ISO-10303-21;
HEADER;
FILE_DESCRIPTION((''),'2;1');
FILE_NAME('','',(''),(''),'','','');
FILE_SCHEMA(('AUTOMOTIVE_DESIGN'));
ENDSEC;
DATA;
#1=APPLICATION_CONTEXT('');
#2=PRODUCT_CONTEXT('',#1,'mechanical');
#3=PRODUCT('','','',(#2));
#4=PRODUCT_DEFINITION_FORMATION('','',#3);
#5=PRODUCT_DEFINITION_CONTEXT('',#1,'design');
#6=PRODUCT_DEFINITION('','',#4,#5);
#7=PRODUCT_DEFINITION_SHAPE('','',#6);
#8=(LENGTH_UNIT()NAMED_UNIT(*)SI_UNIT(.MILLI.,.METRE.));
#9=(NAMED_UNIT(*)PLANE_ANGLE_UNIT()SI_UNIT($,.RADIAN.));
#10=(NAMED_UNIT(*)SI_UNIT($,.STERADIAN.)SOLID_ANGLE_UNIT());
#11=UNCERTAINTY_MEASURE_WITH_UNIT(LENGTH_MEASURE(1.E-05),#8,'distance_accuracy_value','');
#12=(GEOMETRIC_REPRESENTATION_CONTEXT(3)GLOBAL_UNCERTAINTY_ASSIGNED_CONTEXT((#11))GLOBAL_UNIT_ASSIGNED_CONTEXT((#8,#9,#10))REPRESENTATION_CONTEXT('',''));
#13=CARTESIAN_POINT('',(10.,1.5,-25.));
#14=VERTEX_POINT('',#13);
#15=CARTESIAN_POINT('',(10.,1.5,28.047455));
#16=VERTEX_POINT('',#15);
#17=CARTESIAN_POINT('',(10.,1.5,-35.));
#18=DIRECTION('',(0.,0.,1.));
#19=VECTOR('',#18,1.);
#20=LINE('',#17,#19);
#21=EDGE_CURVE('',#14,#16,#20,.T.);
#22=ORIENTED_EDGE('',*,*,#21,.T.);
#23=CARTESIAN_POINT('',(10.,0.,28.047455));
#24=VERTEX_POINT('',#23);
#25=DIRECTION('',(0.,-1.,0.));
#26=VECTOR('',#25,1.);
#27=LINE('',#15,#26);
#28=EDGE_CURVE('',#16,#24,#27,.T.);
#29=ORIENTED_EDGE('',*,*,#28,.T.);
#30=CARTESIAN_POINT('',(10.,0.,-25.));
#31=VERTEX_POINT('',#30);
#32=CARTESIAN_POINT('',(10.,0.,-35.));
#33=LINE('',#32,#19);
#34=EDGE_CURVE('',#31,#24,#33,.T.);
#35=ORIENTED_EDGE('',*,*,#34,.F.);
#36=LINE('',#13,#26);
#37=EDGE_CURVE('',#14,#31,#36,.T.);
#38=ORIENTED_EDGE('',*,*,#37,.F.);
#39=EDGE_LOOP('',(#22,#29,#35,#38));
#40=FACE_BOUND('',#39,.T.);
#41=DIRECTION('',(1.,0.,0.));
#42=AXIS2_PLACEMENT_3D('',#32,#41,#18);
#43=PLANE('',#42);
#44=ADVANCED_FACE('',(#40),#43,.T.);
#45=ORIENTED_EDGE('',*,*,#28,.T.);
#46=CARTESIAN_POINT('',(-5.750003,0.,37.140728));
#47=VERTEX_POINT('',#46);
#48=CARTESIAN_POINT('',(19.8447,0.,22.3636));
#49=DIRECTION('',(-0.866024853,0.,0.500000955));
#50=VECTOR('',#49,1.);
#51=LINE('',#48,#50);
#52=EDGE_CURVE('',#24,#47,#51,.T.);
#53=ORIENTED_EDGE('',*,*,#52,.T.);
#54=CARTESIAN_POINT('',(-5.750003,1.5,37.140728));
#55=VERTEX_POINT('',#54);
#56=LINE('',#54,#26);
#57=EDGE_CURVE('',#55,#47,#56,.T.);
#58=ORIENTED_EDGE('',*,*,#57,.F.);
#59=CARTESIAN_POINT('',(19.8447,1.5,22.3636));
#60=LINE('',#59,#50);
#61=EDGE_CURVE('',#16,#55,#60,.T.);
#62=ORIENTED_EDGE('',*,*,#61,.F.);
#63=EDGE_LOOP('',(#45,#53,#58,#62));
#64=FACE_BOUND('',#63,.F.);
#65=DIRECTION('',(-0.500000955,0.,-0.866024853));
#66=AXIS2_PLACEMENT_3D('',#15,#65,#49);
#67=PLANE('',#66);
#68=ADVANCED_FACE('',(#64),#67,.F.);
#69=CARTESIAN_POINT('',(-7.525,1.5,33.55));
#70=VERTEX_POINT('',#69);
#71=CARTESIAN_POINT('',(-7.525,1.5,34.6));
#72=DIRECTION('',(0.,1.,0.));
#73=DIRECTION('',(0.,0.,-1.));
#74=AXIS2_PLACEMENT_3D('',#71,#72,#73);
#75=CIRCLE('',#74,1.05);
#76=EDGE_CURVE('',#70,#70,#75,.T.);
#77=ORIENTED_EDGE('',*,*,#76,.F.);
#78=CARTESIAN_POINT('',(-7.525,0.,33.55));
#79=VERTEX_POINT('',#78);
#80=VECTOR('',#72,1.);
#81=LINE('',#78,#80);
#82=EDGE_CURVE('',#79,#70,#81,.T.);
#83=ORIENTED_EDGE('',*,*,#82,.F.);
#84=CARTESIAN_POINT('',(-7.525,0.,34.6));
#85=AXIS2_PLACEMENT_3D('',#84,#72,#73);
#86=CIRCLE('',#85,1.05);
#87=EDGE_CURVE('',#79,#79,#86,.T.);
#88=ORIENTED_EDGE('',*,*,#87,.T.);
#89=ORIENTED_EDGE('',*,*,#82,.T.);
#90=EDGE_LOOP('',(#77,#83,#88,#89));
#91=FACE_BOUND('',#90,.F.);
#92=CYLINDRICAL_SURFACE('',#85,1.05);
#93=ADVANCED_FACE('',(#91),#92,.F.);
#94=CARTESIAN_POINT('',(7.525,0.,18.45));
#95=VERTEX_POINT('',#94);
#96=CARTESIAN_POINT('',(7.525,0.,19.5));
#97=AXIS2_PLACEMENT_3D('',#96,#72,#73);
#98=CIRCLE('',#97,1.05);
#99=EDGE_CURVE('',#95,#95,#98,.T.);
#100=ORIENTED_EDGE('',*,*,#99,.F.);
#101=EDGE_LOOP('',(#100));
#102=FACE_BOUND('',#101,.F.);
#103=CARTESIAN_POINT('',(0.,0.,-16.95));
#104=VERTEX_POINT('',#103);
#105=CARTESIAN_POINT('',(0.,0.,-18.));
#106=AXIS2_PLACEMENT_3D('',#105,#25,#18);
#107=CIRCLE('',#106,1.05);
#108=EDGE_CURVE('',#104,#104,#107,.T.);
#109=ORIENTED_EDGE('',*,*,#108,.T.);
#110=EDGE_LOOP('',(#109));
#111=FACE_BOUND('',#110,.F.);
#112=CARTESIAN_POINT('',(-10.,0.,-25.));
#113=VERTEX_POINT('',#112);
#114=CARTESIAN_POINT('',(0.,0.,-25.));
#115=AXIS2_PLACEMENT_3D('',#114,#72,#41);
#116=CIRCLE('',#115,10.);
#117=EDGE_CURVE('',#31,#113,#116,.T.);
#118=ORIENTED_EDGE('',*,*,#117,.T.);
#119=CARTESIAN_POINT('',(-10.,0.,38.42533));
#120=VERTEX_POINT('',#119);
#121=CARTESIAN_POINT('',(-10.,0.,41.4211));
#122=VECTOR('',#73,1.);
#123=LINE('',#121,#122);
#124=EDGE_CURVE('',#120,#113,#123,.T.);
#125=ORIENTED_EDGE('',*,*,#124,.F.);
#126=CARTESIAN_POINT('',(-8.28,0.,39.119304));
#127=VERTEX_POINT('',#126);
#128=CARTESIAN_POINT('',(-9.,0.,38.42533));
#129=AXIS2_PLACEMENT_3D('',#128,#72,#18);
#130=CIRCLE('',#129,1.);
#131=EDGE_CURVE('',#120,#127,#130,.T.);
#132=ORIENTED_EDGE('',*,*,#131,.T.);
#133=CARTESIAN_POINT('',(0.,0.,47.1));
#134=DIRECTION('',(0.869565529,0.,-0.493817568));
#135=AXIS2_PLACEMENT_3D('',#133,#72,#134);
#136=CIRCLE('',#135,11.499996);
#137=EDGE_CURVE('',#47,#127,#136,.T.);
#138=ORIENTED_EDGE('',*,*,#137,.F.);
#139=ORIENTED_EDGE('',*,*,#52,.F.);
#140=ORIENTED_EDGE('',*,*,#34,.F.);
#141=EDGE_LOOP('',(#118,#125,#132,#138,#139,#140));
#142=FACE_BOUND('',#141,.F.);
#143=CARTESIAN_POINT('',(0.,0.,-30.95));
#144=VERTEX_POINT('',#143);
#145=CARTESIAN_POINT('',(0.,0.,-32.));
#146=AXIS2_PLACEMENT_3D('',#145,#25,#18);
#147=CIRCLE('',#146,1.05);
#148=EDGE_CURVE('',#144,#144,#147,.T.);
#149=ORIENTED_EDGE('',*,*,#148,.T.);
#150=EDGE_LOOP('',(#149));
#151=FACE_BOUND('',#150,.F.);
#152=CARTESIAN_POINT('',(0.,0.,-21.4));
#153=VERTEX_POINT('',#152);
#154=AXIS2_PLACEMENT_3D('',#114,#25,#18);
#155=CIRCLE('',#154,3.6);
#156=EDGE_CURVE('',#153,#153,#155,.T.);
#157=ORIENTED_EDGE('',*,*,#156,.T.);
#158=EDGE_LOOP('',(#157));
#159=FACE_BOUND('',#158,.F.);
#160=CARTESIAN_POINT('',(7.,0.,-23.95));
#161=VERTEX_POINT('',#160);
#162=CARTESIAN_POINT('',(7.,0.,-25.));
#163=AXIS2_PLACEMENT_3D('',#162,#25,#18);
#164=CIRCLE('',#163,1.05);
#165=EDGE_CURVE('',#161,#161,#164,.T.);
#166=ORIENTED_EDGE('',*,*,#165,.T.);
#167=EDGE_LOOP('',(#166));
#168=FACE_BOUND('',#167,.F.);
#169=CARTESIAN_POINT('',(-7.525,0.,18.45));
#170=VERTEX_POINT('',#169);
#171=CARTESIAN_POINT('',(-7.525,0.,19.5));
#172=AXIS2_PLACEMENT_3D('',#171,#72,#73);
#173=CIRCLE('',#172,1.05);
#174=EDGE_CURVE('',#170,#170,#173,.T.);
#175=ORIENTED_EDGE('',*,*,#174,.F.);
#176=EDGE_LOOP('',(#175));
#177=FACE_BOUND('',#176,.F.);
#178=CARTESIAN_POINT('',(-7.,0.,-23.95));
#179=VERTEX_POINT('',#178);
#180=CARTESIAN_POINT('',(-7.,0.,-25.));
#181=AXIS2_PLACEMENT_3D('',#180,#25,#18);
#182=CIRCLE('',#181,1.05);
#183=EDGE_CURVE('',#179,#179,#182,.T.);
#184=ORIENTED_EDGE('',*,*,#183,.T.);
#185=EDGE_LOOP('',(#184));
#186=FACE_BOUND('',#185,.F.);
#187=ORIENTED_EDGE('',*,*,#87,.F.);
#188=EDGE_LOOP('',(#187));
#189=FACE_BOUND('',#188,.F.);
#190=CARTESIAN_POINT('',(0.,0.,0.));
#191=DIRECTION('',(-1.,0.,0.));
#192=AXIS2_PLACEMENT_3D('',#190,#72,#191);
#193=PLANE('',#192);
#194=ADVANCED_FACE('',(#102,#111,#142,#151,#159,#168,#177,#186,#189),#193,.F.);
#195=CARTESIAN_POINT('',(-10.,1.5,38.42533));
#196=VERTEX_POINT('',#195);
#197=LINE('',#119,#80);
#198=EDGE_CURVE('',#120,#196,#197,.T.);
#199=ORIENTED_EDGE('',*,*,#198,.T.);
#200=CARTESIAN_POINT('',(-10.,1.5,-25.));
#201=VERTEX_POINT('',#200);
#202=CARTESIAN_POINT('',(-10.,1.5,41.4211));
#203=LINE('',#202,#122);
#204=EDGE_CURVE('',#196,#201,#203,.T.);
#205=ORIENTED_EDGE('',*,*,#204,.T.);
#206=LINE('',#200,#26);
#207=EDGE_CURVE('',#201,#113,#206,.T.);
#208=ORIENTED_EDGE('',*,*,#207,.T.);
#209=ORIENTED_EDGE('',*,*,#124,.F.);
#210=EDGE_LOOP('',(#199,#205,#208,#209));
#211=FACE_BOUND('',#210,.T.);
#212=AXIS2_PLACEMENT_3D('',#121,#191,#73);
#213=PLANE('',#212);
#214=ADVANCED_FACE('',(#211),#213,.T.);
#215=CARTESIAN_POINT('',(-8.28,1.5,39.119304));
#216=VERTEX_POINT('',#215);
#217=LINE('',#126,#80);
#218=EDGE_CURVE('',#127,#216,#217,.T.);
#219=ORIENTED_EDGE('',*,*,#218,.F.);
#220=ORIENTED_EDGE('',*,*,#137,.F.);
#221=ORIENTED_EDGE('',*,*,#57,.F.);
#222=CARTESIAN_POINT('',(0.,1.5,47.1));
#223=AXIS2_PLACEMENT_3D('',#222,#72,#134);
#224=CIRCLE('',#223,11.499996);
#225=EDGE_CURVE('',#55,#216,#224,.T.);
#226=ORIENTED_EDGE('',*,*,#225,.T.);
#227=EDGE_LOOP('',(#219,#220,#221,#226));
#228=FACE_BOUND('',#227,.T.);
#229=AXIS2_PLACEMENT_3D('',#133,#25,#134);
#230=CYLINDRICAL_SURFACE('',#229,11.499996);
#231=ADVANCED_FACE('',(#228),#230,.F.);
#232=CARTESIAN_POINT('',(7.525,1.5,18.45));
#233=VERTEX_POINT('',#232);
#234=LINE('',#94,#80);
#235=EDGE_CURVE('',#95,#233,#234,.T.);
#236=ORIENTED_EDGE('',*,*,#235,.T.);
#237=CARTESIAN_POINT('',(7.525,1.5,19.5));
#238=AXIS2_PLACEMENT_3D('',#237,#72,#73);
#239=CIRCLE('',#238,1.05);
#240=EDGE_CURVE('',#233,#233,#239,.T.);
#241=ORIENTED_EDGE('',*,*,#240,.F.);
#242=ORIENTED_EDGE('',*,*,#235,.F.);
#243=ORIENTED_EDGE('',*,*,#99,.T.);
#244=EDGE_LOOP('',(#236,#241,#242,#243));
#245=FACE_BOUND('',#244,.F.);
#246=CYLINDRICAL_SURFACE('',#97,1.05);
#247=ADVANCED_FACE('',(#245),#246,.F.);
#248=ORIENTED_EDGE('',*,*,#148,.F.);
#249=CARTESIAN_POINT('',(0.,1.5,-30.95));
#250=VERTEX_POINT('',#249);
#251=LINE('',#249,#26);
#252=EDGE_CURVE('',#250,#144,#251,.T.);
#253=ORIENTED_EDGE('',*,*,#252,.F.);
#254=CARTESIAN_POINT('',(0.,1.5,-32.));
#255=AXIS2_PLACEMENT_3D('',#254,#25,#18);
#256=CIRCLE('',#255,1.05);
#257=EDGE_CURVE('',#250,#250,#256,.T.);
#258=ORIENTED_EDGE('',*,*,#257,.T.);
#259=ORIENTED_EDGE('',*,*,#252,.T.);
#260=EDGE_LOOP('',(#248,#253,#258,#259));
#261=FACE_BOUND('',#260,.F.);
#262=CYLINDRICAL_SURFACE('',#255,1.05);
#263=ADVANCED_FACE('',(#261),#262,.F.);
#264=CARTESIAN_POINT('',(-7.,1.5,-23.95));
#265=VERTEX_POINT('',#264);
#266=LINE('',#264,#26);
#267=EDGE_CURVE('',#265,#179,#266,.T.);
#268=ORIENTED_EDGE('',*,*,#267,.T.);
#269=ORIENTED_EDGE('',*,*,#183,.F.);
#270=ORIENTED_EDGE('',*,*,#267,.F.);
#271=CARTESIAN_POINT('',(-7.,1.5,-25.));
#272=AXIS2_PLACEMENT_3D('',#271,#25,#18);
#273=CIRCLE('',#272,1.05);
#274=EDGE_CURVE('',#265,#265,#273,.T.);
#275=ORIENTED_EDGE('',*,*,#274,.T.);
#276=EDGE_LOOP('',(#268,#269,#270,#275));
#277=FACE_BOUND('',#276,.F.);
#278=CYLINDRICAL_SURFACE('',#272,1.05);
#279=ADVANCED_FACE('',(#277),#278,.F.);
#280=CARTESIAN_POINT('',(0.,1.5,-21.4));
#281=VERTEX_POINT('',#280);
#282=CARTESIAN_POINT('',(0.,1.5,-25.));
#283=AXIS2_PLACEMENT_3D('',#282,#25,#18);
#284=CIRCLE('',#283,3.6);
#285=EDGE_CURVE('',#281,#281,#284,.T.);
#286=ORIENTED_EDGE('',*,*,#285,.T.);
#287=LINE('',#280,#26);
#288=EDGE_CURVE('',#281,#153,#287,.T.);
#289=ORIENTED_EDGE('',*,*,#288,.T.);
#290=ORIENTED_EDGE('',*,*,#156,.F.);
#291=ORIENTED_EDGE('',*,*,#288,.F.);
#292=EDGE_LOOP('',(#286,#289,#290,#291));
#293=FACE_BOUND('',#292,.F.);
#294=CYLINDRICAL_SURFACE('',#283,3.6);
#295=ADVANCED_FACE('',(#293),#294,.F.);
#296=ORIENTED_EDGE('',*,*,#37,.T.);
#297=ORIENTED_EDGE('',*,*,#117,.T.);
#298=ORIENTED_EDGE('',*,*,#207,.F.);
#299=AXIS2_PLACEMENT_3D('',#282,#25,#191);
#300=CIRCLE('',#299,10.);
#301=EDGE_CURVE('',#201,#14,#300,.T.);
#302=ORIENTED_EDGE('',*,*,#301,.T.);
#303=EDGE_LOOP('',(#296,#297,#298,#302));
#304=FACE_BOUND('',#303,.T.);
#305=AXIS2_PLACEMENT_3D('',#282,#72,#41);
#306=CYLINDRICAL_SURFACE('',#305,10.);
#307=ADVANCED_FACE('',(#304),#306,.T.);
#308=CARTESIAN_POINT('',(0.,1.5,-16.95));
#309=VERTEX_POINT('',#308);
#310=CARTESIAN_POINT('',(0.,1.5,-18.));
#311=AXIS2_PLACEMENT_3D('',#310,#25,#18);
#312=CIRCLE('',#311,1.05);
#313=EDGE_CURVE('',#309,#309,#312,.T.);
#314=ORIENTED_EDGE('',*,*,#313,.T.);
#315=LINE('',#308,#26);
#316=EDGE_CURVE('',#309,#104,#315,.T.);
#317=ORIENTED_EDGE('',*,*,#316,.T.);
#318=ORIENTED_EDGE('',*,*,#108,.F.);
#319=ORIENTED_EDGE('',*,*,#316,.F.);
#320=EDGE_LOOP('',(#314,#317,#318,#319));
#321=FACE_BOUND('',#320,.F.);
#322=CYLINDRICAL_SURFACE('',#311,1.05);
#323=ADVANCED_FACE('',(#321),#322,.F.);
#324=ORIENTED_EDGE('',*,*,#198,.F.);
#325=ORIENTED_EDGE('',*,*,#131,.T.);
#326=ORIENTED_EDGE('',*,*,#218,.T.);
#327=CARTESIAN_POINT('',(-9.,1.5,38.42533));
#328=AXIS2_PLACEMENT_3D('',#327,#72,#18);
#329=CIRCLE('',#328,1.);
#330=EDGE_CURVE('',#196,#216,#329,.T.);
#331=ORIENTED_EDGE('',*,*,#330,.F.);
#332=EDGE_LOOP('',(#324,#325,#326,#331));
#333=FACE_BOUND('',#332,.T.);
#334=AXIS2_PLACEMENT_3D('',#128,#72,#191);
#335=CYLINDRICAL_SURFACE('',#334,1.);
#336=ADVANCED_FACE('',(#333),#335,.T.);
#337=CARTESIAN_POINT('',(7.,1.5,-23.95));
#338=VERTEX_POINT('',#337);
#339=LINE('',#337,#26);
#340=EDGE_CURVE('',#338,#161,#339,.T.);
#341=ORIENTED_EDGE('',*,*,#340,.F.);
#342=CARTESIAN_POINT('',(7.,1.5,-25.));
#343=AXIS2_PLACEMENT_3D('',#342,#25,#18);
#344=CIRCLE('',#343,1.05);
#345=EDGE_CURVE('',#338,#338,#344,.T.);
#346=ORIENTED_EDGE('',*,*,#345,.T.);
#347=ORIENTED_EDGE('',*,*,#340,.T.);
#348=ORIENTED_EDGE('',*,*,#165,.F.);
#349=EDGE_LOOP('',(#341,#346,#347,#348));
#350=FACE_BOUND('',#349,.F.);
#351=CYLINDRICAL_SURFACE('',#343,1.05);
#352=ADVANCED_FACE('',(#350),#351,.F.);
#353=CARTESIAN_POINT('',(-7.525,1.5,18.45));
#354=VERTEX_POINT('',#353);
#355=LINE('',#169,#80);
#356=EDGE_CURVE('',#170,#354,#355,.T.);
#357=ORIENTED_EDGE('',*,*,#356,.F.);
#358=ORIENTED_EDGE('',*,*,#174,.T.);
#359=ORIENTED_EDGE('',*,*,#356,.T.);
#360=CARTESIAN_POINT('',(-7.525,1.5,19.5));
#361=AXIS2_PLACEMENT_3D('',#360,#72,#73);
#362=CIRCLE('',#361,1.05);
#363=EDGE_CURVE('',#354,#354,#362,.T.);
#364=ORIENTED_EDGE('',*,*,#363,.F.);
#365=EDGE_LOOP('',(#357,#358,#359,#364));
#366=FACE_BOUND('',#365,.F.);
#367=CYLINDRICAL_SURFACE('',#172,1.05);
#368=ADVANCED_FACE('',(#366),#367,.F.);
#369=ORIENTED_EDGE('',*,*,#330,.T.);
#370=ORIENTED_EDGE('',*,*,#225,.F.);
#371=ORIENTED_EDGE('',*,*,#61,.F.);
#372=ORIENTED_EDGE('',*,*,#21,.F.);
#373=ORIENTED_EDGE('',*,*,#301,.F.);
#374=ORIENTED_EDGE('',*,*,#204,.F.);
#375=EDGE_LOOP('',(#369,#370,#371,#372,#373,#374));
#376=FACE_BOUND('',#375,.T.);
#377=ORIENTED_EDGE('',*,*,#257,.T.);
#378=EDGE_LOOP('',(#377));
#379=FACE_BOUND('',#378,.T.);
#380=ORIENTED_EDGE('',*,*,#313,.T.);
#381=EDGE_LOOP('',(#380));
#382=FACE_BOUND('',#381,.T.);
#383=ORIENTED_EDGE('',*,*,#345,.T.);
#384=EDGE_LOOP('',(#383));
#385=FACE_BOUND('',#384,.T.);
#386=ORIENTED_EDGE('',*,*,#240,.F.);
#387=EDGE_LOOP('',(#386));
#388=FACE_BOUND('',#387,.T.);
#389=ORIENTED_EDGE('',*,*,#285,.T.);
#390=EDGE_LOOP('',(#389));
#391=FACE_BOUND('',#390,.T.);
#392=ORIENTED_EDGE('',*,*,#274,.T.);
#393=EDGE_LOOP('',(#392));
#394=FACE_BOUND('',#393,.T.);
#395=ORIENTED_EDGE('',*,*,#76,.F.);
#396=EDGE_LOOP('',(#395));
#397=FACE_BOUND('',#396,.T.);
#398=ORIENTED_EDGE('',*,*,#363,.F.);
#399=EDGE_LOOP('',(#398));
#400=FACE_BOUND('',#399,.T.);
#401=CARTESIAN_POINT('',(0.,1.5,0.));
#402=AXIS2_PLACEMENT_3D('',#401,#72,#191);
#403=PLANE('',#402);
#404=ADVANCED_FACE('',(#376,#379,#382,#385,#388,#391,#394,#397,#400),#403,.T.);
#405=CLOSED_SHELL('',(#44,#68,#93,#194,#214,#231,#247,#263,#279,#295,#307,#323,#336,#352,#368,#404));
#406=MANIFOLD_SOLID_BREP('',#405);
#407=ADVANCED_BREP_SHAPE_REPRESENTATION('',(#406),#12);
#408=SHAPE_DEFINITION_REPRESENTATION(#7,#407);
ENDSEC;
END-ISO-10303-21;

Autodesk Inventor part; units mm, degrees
ref_plane "YZ Plane" through (0, 0, 0) normal (1, 0, 0) x (0, 1, 0)
ref_plane "XZ Plane" through (0, 0, 0) normal (0, 1, 0) x (-1, 0, 0)
ref_plane "XY Plane" through (0, 0, 0) normal (0, 0, 1) x (1, 0, 0)
sketch "Sketch1" plane through (0, 0, 0) normal (0, 1, 0) x (-1, 0, 0)
  line L0 (10, -35) -> (-10, -35)
  line L1 (-10, -35) -> (-10, 41.4211)
  line L2 (10, 41.4211) -> (10, -35)
  arc A0 (-10, 41.4211) -> (10, 41.4211) centre (0, 47.1) ccw
  point P0 (0, 0)
  dimension "d2" = 35
  dimension "d3" = 10
  dimension "d36" = 23
  dimension "d37" = 82.1
  dimension "d39" = 76.4211
  dimension "d40" = 20
extrude "Plate1" add sketch "Sketch1" along normal blind 1.5
sketch "Sketch3" plane through (0, 1.5, 0) normal (0, 1, 0) x (1, 0, 0)
  circle A0 centre (0, 25) radius 10
  circle A1 centre (0, -25) radius 10
  line L0 (-10, 35) -> (10, 35) projected
  line L1 (10, -44) -> (-10, -44) projected
  line L2 (-10, 35) -> (10, 35)
  line L3 (10, 35) -> (10, 25)
  line L4 (10, 25) -> (-10, 25)
  line L5 (-10, 25) -> (-10, 35)
  line L6 (10, -35) -> (-10, -35)
  line L7 (-10, -35) -> (-10, -25)
  line L8 (-10, -25) -> (10, -25)
  line L9 (10, -25) -> (10, -44)
  point P0 (0, 0)
  point P1 (-10, -41.4211)
  point P2 (10, -25)
  point P3 (0, -35)
  point P4 (-10, -35)
  point P5 (0, 35)
  point P6 (10, 35)
  dimension "d12" = 20
  dimension "d13" = 20
  dimension "d14" = 10
  dimension "d15" = 10
  dimension "d16" = 25
  dimension "d17" = 25
  dimension "d18" = 10
extrude "Extrusion1" cut sketch "Sketch3" against normal blind 10 contours L5 L0 A0 | A0 L0 L3
sketch "Sketch4" plane through (0, 1.5, 0) normal (0, 1, 0) x (1, 0, 0)
  circle A0 centre (-7, 25) radius 0.8
  arc A1 (10, 25) -> (-10, 25) centre (0, 25) ccw projected
  circle A2 centre (0, 18) radius 0.8
  circle A3 centre (7, 25) radius 0.8
  circle A4 centre (0, 32) radius 0.8
  point P0 (0, 0)
  dimension "d21" = 0
  dimension "d22" = 7
  dimension "d23" = 1.6
  dimension "d26" = 360
hole "Hole2" at (0, 1.5, -32) at (7, 1.5, -25) at (0, 1.5, -18) at (-7, 1.5, -25) direction (0, -1, 0) diameter 2.1 depth 1.5
fillet "Fillet1" radius 1 2 edges at (-10, 0.75, 41.4211) (10, 0.75, 41.4211)
sketch "Sketch5" plane through (0, 1.5, 0) normal (0, 1, 0) x (1, 0, 0)
  arc A0 (10, 25) -> (-10, 25) centre (0, 25) ccw projected
  point P0 (0, 0)
hole "Hole3" at (0, 1.5, -25) direction (0, -1, 0) diameter 7.2 depth 1.5
sketch "Sketch8" plane through (0, 1.5, 0) normal (0, 1, 0) x (1, 0, 0)
  line L0 (19.8447, -22.3636) -> (-14.9774, -42.4682)
  arc A0 (8.28, -39.1193) -> (-8.28, -39.1193) centre (0, -47.1) ccw projected
  arc A1 (8.28, -39.1193) -> (10, -38.4253) centre (9, -38.4253) ccw projected
  line L1 (10, 25) -> (10, -38.4253) projected
  point P0 (0, 0)
  point P1 (10, -28.0474)
  point P2 (-5.75, -37.1407)
  dimension "d63" = 60
extrude "Extrusion2" cut sketch "Sketch8" against normal blind 1.5
sketch "Sketch9" plane through (0, 0, 0) normal (0, -1, 0) x (1, 0, 0)
  circle A0 centre (-7.525, 34.6) radius 1.05
  circle A1 centre (7.525, 19.5) radius 1.05
  circle A2 centre (7.525, 19.5) radius 1.05
  line L0 (-10, -25) -> (-10, 38.4253) projected
  circle A3 centre (-7.525, 19.5) radius 1.05
  point P0 (0, 0)
hole "Hole6" at (-7.525, 0, 19.5) at (7.525, 0, 19.5) at (-7.525, 0, 34.6) direction (0, 1, 0) diameter 2.1 end through all
equation "\"d33\" = Thickness"
equation "\"d47\" = Thickness"
equation "\"d71\" = Thickness"
equation "\"d4\" = Thickness"
equation "\"BendReliefWidth\" = Thickness"
equation "\"BendReliefDepth\" = 0.5 * Thickness"
equation "\"CornerReliefSize\" = 4 * Thickness"
equation "\"MinimumRemnant\" = 2 * Thickness"
equation "\"TransitionRadius\" = BendRadius"
equation "\"JacobiRadiusSize\" = BendRadius"
equation "\"GapSize\" = Thickness"
equation "\"Thickness\" = 1.5"
equation "\"BendRadius\" = 0.31"
properties part number "axis_8_10_connector_frame" material "Aluminum 6061-AHC"
